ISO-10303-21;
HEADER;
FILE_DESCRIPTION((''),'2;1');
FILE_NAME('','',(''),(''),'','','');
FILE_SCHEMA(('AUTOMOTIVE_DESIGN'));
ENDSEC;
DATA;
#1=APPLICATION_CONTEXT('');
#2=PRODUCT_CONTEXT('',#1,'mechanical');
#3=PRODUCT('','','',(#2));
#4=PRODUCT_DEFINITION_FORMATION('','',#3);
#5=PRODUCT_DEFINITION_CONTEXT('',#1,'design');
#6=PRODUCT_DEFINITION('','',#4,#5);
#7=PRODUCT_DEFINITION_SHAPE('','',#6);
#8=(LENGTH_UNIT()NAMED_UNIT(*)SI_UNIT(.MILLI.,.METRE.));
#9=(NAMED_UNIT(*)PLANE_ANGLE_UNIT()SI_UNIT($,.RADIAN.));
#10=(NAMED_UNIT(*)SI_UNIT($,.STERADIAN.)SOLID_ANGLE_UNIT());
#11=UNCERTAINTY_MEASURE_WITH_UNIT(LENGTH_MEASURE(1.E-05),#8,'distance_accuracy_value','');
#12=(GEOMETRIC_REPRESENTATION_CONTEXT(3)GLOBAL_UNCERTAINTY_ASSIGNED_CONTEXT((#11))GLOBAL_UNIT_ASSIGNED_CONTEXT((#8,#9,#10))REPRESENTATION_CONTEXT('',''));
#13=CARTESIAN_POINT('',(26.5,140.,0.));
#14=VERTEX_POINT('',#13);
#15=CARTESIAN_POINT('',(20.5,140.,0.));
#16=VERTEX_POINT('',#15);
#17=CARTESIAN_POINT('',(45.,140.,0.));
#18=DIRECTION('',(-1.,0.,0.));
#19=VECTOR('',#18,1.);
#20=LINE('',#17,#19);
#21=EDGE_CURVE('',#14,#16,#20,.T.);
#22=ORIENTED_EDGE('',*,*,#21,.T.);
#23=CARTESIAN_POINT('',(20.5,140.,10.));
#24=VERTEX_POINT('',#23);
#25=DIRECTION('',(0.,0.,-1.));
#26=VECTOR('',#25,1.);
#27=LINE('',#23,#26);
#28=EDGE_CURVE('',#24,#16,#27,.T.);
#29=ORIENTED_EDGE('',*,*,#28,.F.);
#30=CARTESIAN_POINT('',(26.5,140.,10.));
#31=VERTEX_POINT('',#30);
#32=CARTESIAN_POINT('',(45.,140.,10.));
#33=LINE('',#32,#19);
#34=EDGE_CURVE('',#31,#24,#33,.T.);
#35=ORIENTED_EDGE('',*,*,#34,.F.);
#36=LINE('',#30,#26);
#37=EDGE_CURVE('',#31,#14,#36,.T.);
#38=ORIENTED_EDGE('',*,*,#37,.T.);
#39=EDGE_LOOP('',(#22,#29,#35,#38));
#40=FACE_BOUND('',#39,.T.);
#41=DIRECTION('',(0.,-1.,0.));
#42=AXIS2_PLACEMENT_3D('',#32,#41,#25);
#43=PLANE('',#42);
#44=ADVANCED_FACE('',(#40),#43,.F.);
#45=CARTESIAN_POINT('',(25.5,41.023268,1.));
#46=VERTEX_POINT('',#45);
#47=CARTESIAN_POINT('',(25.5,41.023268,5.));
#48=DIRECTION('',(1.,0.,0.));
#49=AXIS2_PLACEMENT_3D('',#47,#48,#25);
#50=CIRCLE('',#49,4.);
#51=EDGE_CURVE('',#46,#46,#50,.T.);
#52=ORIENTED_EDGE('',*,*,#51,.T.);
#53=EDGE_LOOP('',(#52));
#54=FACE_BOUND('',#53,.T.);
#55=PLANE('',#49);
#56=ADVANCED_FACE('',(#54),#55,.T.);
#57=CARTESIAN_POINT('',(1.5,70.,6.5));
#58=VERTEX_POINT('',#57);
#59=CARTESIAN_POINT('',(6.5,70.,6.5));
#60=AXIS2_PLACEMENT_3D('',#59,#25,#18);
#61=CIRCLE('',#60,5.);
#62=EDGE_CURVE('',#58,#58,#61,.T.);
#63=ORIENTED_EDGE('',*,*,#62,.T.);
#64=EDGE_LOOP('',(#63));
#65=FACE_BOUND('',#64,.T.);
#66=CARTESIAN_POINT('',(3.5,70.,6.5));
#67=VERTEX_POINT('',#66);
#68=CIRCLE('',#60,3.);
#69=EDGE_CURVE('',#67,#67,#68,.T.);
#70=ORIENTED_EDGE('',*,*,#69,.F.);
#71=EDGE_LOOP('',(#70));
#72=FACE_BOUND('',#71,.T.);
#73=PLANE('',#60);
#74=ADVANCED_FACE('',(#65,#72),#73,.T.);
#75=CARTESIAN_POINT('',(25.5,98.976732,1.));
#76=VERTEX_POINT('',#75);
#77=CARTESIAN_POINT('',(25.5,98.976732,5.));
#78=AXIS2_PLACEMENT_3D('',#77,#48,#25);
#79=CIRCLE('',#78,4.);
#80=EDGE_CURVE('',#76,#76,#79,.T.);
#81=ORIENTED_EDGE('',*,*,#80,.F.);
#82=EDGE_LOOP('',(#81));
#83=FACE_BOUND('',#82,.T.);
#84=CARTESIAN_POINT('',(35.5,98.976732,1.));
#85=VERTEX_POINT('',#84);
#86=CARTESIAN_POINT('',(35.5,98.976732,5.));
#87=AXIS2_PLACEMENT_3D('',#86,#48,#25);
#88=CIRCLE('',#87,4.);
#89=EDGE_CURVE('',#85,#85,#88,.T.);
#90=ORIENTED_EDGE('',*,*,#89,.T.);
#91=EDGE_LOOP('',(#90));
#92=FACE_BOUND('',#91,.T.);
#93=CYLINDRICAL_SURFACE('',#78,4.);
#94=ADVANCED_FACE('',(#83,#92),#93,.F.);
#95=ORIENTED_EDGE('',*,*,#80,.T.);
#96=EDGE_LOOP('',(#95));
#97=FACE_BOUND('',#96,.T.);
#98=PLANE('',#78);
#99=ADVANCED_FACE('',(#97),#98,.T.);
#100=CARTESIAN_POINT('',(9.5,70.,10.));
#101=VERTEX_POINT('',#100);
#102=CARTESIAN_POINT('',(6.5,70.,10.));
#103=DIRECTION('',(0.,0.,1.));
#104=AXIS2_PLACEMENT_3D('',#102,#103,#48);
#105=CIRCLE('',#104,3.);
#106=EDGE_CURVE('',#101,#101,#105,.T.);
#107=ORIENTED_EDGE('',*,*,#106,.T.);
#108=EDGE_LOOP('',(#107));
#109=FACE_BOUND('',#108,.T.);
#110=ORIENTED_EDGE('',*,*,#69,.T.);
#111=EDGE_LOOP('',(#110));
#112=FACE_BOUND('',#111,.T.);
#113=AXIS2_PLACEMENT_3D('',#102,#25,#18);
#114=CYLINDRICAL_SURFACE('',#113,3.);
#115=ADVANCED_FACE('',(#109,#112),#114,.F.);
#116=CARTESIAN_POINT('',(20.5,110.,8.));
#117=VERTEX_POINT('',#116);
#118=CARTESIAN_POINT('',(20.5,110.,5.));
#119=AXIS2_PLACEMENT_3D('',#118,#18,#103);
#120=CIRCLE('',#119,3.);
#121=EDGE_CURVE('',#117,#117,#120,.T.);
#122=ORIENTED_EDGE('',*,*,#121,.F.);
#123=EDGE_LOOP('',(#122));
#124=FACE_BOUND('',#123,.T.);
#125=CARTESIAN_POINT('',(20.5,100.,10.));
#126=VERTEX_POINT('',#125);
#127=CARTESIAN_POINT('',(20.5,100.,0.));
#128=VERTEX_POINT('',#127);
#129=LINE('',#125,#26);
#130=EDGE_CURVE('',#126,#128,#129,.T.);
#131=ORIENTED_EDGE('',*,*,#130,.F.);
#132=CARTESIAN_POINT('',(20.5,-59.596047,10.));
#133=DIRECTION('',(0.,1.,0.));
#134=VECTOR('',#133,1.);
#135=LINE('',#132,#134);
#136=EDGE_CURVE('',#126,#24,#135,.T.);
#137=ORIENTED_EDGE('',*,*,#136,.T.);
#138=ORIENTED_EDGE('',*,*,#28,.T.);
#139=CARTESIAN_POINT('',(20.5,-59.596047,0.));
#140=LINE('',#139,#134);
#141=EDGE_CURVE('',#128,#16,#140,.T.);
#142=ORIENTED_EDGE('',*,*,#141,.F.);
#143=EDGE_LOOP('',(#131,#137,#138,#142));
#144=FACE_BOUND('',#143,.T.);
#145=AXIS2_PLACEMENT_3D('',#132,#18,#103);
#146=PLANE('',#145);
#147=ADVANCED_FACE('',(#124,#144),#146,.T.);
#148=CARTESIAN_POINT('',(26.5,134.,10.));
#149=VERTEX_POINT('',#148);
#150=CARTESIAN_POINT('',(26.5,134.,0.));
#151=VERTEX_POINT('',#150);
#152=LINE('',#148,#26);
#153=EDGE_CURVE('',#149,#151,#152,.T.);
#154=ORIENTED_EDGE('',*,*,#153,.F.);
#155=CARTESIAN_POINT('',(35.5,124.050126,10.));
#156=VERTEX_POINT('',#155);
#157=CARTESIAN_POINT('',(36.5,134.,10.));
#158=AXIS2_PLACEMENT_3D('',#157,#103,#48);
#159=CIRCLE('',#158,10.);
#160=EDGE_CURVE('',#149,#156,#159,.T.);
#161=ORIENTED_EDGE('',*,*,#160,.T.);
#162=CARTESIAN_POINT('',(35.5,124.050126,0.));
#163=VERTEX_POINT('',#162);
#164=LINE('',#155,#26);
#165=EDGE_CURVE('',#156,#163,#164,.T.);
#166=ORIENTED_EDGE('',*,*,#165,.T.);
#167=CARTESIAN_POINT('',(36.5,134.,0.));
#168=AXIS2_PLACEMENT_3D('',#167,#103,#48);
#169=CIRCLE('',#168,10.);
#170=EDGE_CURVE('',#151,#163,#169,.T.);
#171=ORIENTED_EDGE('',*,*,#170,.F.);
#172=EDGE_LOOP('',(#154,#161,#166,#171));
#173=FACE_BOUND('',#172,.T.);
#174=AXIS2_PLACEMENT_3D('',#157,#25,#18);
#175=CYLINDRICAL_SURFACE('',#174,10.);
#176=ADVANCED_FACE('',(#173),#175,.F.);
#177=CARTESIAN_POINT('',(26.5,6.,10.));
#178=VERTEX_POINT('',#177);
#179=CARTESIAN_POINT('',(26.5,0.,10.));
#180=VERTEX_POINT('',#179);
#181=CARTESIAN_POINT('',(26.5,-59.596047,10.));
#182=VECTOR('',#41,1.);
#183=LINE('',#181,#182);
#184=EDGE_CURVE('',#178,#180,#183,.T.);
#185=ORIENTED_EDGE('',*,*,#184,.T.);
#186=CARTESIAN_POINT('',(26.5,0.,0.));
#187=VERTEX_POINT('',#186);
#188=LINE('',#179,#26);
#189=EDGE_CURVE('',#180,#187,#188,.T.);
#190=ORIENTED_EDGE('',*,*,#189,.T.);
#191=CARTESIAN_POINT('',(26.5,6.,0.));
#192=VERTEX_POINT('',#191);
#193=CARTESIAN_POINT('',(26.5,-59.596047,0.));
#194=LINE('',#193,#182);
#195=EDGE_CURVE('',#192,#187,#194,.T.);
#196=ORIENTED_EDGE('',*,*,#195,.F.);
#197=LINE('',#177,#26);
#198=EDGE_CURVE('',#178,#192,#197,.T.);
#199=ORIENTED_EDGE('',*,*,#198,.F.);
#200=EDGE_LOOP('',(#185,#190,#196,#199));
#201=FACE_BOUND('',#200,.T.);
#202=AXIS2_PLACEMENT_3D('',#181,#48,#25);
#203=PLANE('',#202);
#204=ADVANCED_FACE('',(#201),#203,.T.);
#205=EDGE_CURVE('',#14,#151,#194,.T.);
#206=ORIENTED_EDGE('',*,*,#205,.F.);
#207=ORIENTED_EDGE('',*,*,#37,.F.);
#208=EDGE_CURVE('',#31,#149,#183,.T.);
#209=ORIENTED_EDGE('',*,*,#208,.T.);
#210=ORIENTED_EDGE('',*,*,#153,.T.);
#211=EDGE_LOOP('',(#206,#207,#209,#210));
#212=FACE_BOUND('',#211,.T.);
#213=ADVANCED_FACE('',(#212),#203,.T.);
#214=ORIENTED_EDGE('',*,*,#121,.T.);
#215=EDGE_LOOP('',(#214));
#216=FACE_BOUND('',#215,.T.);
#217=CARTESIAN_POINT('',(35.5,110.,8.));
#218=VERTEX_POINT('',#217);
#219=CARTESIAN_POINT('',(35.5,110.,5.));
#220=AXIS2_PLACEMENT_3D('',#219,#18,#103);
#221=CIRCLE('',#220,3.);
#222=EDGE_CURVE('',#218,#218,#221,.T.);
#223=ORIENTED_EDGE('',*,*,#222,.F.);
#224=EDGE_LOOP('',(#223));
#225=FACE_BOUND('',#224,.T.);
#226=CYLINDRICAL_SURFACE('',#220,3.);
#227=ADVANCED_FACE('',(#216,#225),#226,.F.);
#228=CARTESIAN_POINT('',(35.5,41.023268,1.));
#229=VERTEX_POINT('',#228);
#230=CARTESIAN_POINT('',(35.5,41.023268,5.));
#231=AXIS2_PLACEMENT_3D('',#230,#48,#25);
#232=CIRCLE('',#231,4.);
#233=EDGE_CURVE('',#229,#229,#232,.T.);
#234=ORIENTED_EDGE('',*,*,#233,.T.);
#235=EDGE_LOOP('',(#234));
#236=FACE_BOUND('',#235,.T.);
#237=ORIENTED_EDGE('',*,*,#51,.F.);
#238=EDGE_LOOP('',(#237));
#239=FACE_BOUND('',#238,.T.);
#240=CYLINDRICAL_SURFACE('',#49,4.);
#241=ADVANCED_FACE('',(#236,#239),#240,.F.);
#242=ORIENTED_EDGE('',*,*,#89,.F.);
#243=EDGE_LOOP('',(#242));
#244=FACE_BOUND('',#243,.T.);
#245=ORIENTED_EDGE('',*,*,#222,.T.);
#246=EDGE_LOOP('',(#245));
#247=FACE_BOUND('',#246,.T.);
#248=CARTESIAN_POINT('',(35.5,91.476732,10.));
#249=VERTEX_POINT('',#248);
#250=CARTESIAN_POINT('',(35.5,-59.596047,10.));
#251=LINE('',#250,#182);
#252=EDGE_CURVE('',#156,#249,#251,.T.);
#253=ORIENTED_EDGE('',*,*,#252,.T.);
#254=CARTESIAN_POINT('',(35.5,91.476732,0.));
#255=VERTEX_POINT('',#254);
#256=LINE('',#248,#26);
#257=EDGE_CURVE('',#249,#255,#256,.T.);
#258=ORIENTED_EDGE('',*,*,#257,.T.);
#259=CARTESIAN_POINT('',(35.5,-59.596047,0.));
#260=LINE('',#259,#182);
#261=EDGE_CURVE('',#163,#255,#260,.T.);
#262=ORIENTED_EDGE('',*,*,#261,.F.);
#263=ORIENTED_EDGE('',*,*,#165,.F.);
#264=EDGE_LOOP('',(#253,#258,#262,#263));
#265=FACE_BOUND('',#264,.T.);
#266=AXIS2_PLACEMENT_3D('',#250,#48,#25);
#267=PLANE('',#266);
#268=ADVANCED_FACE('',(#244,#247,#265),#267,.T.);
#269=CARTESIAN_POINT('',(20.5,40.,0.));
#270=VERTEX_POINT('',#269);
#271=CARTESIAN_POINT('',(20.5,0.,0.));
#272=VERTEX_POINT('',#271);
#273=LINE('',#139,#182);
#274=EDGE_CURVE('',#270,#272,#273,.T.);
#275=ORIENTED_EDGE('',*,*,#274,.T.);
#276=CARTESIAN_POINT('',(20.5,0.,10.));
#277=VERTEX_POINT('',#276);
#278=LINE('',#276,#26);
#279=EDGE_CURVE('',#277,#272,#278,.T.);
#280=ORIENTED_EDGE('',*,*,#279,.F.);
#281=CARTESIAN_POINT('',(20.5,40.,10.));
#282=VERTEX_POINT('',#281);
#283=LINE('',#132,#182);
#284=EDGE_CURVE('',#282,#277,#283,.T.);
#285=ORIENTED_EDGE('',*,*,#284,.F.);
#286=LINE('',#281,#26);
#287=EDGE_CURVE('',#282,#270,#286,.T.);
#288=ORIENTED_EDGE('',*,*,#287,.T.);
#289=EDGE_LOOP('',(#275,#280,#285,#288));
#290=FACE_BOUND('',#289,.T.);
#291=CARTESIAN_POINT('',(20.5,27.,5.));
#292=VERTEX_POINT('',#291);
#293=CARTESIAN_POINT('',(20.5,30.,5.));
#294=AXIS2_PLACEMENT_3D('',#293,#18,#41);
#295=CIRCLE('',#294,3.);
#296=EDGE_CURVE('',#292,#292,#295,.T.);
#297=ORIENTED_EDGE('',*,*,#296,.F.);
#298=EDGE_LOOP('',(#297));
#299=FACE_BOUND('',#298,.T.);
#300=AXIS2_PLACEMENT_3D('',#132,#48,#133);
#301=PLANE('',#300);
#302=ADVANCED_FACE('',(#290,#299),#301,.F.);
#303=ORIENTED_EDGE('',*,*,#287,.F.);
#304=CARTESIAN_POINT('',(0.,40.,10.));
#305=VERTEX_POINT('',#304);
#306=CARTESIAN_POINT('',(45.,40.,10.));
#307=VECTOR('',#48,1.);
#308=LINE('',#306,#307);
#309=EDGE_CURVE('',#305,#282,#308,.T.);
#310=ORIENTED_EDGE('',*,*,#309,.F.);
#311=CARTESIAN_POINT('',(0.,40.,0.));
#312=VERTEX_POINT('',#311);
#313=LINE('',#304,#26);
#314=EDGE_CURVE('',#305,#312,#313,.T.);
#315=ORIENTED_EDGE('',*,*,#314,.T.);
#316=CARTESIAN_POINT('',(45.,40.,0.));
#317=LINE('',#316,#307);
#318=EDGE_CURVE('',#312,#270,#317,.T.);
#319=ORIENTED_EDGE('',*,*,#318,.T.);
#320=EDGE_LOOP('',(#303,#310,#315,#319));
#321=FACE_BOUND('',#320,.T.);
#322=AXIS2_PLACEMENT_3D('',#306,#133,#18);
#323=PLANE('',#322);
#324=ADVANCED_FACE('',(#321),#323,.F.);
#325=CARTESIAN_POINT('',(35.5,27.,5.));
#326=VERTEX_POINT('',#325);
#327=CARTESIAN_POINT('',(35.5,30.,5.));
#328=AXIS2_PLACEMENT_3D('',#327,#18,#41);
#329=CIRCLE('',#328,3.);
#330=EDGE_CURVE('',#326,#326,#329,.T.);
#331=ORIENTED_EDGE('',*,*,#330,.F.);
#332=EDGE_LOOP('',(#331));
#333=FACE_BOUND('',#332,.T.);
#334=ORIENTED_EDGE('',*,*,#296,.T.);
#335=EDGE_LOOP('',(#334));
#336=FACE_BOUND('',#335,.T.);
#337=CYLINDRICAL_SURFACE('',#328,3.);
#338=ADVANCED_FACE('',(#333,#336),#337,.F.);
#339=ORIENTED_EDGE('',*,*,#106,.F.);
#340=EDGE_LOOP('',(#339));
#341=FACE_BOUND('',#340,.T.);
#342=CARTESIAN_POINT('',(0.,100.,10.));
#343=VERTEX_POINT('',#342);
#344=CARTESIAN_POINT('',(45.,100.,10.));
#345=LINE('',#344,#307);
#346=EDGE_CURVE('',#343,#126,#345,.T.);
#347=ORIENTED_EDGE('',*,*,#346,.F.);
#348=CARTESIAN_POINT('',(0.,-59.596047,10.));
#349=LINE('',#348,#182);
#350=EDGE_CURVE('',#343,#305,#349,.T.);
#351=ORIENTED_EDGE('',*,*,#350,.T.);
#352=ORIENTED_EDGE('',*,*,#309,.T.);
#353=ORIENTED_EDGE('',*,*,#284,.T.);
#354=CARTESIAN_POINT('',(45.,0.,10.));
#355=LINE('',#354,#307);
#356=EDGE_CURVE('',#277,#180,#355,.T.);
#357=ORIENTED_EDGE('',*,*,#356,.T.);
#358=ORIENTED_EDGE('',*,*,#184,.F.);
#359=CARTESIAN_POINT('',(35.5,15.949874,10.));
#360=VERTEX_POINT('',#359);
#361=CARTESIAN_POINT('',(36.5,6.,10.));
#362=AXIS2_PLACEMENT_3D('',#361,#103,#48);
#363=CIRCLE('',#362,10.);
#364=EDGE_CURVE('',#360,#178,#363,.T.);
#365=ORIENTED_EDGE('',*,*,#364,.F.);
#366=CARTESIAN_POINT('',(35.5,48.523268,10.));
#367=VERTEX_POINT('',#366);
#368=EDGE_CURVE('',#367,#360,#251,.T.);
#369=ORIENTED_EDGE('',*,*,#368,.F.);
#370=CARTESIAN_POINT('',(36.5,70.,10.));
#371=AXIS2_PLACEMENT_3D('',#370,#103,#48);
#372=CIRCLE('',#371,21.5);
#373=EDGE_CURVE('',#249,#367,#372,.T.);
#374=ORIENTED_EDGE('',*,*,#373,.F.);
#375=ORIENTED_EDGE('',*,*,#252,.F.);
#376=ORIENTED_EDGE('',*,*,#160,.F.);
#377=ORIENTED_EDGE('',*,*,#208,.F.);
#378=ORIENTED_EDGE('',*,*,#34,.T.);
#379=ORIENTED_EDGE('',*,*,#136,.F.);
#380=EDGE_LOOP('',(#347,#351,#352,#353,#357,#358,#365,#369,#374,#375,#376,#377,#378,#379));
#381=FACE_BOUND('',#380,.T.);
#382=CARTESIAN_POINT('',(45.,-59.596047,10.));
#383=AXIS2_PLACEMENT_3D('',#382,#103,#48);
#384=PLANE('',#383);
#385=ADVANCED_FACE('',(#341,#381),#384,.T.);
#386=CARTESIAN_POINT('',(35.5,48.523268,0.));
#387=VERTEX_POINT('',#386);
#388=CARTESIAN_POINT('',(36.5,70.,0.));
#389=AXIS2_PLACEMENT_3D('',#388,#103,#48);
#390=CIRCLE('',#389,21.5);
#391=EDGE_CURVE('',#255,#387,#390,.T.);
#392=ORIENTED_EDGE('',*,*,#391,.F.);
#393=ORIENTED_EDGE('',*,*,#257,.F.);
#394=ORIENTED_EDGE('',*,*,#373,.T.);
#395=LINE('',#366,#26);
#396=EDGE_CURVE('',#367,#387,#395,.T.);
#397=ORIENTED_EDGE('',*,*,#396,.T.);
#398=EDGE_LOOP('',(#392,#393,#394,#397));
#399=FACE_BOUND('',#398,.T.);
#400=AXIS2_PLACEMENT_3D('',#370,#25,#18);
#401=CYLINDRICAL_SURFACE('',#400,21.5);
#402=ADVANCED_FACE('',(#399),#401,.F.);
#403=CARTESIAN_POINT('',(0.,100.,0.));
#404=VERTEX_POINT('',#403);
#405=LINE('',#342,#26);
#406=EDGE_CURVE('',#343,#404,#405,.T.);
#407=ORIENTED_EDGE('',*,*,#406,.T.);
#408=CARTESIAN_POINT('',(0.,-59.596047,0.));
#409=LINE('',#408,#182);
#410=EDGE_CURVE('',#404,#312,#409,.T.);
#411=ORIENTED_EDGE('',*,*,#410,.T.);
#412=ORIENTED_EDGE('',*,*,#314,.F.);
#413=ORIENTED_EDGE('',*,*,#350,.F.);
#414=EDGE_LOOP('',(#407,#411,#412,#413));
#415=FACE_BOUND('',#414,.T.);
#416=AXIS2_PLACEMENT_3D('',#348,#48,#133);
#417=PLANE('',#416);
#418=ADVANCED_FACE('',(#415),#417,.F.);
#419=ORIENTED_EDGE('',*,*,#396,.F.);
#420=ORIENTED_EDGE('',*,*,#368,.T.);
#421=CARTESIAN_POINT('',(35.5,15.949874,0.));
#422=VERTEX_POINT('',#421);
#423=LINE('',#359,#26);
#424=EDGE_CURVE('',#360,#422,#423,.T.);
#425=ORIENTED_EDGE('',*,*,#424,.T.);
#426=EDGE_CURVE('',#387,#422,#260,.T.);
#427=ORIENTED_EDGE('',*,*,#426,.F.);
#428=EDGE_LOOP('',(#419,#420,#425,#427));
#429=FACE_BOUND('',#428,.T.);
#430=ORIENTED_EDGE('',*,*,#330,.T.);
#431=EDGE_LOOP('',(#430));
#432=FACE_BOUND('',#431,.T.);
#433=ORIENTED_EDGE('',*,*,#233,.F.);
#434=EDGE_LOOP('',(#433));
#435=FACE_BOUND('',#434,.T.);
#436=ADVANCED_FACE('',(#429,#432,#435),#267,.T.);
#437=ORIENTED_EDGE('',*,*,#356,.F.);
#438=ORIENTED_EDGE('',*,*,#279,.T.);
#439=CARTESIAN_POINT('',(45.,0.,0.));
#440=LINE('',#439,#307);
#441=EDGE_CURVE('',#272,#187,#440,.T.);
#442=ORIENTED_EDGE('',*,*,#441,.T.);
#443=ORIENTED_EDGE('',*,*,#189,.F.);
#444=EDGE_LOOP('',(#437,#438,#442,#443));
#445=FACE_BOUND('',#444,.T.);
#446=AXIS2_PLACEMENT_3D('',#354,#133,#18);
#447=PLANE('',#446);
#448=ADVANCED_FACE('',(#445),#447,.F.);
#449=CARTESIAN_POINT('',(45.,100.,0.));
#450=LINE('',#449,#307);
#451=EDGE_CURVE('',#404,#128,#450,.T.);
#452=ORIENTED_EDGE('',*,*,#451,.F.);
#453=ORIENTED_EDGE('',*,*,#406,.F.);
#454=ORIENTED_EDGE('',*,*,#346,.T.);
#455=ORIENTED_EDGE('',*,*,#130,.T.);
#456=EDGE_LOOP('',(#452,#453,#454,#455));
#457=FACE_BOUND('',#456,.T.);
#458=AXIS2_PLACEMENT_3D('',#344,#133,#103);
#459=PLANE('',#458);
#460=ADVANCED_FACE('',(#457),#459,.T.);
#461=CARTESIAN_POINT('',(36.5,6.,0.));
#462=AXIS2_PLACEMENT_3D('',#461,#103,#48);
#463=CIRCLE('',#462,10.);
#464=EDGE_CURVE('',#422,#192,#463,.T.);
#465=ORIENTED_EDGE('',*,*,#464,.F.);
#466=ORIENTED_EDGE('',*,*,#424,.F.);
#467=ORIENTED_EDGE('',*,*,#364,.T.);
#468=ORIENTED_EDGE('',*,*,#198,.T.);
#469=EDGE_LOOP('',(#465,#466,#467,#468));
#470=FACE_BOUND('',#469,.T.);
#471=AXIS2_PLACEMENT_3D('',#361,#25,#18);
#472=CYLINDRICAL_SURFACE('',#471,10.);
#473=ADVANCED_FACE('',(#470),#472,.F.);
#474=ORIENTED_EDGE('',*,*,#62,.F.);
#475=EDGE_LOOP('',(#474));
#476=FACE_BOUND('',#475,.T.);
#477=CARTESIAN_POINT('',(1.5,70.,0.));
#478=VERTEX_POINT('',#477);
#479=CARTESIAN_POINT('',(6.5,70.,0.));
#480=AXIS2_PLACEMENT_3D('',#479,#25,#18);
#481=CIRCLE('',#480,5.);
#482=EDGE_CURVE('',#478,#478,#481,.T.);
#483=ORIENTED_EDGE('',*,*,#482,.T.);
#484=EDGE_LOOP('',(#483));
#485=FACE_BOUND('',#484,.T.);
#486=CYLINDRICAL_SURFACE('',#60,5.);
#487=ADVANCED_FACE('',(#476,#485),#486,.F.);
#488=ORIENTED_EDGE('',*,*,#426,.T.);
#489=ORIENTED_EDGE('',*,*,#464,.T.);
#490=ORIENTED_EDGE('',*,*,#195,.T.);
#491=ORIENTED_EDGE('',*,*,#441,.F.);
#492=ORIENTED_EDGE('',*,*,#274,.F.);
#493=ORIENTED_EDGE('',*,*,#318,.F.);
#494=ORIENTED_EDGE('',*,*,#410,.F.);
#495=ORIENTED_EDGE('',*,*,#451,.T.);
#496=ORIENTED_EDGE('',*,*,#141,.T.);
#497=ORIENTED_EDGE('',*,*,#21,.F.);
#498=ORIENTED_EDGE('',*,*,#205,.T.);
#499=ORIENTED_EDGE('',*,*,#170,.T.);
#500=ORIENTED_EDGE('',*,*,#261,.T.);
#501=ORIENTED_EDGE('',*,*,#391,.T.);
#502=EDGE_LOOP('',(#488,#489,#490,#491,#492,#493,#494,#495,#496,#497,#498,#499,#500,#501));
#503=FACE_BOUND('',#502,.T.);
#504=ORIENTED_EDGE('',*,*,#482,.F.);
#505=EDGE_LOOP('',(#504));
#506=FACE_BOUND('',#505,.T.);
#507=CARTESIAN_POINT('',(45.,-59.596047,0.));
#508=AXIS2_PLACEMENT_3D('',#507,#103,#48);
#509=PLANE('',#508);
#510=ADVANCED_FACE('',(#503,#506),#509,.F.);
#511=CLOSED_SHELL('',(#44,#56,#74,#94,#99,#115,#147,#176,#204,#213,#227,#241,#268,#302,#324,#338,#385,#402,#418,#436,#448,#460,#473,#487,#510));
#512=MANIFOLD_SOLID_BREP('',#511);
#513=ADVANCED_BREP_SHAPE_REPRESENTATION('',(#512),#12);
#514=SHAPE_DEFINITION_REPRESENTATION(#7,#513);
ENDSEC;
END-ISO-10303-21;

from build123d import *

# Parameters (mm, degrees)
SKETCH1_R           = 3
EXTRUDE3_DEPTH      = 10
SKETCH6_R           = 5
CUT_EXTRUDE4_DEPTH  = 6.5
SKETCH7_R           = 3
CUT_EXTRUDE5_DEPTH  = 15
SKETCH9_R           = 3
CUT_EXTRUDE10_DEPTH = 15
SKETCH12_R          = 4
CUT_EXTRUDE13_DEPTH = 10


with BuildPart() as part:
    # Sketch1 → Extrude3 (new body)
    with BuildSketch(Plane.XY):
        with BuildLine():
            Line((26.5, 134), (26.5, 140))
            Line((26.5, 140), (20.5, 140))
            Line((20.5, 140), (20.5, 100))
            Line((20.5, 100), (5.5, 100))
            Line((5.5, 100), (0, 100))
            Line((0, 100), (0, 40))
            Line((0, 40), (5.5, 40))
            Line((5.5, 40), (20.5, 40))
            Line((20.5, 40), (20.5, 0))
            Line((20.5, 0), (26.5, 0))
            Line((26.5, 0), (26.5, 6))
            ThreePointArc((26.5, 6), (29.083801513, 12.708203932), (35.5, 15.949874371))
            Line((35.5, 15.949874371), (35.5, 40))
            Line((35.5, 40), (35.5, 48.523268405))
            ThreePointArc((35.5, 48.523268405), (15, 70), (35.5, 91.476731595))
            Line((35.5, 91.476731595), (35.5, 100))
            Line((35.5, 100), (35.5, 124.050125629))
            ThreePointArc((35.5, 124.050125629), (29.083801513, 127.291796068), (26.5, 134))
        make_face()
        with Locations((6.5, 70)):
            Circle(SKETCH1_R, mode=Mode.SUBTRACT)
    extrude(amount=EXTRUDE3_DEPTH)

    # Sketch6 → Cut-Extrude4 (cut)
    with BuildSketch(Plane(origin=(0, 0, 0), x_dir=(-1, 0, 0), z_dir=(0, 0, -1))):
        with Locations((-6.5, 70)):
            Circle(SKETCH6_R)
    extrude(amount=-CUT_EXTRUDE4_DEPTH, mode=Mode.SUBTRACT)

    # Sketch7 → Cut-Extrude5 (cut)
    with BuildSketch(Plane.ZY.offset(-20.5)):
        with Locations((5, 30)):
            Circle(SKETCH7_R)
    extrude(amount=-CUT_EXTRUDE5_DEPTH, mode=Mode.SUBTRACT)

    # Sketch9 → Cut-Extrude10 (cut)
    with BuildSketch(Plane.ZY.offset(-20.5)):
        with Locations((5, 110)):
            Circle(SKETCH9_R)
    extrude(amount=-CUT_EXTRUDE10_DEPTH, mode=Mode.SUBTRACT)

    # Sketch12 → Cut-Extrude13 (cut)
    with BuildSketch(Plane(origin=(35.5, 0, 0), x_dir=(0, 0, -1), z_dir=(1, 0, 0))):
        with Locations((-5, 98.976731595)):
            Circle(SKETCH12_R)
        with Locations((-5, 41.023268405)):
            Circle(SKETCH12_R)
    extrude(amount=-CUT_EXTRUDE13_DEPTH, mode=Mode.SUBTRACT)


solid = part.part
